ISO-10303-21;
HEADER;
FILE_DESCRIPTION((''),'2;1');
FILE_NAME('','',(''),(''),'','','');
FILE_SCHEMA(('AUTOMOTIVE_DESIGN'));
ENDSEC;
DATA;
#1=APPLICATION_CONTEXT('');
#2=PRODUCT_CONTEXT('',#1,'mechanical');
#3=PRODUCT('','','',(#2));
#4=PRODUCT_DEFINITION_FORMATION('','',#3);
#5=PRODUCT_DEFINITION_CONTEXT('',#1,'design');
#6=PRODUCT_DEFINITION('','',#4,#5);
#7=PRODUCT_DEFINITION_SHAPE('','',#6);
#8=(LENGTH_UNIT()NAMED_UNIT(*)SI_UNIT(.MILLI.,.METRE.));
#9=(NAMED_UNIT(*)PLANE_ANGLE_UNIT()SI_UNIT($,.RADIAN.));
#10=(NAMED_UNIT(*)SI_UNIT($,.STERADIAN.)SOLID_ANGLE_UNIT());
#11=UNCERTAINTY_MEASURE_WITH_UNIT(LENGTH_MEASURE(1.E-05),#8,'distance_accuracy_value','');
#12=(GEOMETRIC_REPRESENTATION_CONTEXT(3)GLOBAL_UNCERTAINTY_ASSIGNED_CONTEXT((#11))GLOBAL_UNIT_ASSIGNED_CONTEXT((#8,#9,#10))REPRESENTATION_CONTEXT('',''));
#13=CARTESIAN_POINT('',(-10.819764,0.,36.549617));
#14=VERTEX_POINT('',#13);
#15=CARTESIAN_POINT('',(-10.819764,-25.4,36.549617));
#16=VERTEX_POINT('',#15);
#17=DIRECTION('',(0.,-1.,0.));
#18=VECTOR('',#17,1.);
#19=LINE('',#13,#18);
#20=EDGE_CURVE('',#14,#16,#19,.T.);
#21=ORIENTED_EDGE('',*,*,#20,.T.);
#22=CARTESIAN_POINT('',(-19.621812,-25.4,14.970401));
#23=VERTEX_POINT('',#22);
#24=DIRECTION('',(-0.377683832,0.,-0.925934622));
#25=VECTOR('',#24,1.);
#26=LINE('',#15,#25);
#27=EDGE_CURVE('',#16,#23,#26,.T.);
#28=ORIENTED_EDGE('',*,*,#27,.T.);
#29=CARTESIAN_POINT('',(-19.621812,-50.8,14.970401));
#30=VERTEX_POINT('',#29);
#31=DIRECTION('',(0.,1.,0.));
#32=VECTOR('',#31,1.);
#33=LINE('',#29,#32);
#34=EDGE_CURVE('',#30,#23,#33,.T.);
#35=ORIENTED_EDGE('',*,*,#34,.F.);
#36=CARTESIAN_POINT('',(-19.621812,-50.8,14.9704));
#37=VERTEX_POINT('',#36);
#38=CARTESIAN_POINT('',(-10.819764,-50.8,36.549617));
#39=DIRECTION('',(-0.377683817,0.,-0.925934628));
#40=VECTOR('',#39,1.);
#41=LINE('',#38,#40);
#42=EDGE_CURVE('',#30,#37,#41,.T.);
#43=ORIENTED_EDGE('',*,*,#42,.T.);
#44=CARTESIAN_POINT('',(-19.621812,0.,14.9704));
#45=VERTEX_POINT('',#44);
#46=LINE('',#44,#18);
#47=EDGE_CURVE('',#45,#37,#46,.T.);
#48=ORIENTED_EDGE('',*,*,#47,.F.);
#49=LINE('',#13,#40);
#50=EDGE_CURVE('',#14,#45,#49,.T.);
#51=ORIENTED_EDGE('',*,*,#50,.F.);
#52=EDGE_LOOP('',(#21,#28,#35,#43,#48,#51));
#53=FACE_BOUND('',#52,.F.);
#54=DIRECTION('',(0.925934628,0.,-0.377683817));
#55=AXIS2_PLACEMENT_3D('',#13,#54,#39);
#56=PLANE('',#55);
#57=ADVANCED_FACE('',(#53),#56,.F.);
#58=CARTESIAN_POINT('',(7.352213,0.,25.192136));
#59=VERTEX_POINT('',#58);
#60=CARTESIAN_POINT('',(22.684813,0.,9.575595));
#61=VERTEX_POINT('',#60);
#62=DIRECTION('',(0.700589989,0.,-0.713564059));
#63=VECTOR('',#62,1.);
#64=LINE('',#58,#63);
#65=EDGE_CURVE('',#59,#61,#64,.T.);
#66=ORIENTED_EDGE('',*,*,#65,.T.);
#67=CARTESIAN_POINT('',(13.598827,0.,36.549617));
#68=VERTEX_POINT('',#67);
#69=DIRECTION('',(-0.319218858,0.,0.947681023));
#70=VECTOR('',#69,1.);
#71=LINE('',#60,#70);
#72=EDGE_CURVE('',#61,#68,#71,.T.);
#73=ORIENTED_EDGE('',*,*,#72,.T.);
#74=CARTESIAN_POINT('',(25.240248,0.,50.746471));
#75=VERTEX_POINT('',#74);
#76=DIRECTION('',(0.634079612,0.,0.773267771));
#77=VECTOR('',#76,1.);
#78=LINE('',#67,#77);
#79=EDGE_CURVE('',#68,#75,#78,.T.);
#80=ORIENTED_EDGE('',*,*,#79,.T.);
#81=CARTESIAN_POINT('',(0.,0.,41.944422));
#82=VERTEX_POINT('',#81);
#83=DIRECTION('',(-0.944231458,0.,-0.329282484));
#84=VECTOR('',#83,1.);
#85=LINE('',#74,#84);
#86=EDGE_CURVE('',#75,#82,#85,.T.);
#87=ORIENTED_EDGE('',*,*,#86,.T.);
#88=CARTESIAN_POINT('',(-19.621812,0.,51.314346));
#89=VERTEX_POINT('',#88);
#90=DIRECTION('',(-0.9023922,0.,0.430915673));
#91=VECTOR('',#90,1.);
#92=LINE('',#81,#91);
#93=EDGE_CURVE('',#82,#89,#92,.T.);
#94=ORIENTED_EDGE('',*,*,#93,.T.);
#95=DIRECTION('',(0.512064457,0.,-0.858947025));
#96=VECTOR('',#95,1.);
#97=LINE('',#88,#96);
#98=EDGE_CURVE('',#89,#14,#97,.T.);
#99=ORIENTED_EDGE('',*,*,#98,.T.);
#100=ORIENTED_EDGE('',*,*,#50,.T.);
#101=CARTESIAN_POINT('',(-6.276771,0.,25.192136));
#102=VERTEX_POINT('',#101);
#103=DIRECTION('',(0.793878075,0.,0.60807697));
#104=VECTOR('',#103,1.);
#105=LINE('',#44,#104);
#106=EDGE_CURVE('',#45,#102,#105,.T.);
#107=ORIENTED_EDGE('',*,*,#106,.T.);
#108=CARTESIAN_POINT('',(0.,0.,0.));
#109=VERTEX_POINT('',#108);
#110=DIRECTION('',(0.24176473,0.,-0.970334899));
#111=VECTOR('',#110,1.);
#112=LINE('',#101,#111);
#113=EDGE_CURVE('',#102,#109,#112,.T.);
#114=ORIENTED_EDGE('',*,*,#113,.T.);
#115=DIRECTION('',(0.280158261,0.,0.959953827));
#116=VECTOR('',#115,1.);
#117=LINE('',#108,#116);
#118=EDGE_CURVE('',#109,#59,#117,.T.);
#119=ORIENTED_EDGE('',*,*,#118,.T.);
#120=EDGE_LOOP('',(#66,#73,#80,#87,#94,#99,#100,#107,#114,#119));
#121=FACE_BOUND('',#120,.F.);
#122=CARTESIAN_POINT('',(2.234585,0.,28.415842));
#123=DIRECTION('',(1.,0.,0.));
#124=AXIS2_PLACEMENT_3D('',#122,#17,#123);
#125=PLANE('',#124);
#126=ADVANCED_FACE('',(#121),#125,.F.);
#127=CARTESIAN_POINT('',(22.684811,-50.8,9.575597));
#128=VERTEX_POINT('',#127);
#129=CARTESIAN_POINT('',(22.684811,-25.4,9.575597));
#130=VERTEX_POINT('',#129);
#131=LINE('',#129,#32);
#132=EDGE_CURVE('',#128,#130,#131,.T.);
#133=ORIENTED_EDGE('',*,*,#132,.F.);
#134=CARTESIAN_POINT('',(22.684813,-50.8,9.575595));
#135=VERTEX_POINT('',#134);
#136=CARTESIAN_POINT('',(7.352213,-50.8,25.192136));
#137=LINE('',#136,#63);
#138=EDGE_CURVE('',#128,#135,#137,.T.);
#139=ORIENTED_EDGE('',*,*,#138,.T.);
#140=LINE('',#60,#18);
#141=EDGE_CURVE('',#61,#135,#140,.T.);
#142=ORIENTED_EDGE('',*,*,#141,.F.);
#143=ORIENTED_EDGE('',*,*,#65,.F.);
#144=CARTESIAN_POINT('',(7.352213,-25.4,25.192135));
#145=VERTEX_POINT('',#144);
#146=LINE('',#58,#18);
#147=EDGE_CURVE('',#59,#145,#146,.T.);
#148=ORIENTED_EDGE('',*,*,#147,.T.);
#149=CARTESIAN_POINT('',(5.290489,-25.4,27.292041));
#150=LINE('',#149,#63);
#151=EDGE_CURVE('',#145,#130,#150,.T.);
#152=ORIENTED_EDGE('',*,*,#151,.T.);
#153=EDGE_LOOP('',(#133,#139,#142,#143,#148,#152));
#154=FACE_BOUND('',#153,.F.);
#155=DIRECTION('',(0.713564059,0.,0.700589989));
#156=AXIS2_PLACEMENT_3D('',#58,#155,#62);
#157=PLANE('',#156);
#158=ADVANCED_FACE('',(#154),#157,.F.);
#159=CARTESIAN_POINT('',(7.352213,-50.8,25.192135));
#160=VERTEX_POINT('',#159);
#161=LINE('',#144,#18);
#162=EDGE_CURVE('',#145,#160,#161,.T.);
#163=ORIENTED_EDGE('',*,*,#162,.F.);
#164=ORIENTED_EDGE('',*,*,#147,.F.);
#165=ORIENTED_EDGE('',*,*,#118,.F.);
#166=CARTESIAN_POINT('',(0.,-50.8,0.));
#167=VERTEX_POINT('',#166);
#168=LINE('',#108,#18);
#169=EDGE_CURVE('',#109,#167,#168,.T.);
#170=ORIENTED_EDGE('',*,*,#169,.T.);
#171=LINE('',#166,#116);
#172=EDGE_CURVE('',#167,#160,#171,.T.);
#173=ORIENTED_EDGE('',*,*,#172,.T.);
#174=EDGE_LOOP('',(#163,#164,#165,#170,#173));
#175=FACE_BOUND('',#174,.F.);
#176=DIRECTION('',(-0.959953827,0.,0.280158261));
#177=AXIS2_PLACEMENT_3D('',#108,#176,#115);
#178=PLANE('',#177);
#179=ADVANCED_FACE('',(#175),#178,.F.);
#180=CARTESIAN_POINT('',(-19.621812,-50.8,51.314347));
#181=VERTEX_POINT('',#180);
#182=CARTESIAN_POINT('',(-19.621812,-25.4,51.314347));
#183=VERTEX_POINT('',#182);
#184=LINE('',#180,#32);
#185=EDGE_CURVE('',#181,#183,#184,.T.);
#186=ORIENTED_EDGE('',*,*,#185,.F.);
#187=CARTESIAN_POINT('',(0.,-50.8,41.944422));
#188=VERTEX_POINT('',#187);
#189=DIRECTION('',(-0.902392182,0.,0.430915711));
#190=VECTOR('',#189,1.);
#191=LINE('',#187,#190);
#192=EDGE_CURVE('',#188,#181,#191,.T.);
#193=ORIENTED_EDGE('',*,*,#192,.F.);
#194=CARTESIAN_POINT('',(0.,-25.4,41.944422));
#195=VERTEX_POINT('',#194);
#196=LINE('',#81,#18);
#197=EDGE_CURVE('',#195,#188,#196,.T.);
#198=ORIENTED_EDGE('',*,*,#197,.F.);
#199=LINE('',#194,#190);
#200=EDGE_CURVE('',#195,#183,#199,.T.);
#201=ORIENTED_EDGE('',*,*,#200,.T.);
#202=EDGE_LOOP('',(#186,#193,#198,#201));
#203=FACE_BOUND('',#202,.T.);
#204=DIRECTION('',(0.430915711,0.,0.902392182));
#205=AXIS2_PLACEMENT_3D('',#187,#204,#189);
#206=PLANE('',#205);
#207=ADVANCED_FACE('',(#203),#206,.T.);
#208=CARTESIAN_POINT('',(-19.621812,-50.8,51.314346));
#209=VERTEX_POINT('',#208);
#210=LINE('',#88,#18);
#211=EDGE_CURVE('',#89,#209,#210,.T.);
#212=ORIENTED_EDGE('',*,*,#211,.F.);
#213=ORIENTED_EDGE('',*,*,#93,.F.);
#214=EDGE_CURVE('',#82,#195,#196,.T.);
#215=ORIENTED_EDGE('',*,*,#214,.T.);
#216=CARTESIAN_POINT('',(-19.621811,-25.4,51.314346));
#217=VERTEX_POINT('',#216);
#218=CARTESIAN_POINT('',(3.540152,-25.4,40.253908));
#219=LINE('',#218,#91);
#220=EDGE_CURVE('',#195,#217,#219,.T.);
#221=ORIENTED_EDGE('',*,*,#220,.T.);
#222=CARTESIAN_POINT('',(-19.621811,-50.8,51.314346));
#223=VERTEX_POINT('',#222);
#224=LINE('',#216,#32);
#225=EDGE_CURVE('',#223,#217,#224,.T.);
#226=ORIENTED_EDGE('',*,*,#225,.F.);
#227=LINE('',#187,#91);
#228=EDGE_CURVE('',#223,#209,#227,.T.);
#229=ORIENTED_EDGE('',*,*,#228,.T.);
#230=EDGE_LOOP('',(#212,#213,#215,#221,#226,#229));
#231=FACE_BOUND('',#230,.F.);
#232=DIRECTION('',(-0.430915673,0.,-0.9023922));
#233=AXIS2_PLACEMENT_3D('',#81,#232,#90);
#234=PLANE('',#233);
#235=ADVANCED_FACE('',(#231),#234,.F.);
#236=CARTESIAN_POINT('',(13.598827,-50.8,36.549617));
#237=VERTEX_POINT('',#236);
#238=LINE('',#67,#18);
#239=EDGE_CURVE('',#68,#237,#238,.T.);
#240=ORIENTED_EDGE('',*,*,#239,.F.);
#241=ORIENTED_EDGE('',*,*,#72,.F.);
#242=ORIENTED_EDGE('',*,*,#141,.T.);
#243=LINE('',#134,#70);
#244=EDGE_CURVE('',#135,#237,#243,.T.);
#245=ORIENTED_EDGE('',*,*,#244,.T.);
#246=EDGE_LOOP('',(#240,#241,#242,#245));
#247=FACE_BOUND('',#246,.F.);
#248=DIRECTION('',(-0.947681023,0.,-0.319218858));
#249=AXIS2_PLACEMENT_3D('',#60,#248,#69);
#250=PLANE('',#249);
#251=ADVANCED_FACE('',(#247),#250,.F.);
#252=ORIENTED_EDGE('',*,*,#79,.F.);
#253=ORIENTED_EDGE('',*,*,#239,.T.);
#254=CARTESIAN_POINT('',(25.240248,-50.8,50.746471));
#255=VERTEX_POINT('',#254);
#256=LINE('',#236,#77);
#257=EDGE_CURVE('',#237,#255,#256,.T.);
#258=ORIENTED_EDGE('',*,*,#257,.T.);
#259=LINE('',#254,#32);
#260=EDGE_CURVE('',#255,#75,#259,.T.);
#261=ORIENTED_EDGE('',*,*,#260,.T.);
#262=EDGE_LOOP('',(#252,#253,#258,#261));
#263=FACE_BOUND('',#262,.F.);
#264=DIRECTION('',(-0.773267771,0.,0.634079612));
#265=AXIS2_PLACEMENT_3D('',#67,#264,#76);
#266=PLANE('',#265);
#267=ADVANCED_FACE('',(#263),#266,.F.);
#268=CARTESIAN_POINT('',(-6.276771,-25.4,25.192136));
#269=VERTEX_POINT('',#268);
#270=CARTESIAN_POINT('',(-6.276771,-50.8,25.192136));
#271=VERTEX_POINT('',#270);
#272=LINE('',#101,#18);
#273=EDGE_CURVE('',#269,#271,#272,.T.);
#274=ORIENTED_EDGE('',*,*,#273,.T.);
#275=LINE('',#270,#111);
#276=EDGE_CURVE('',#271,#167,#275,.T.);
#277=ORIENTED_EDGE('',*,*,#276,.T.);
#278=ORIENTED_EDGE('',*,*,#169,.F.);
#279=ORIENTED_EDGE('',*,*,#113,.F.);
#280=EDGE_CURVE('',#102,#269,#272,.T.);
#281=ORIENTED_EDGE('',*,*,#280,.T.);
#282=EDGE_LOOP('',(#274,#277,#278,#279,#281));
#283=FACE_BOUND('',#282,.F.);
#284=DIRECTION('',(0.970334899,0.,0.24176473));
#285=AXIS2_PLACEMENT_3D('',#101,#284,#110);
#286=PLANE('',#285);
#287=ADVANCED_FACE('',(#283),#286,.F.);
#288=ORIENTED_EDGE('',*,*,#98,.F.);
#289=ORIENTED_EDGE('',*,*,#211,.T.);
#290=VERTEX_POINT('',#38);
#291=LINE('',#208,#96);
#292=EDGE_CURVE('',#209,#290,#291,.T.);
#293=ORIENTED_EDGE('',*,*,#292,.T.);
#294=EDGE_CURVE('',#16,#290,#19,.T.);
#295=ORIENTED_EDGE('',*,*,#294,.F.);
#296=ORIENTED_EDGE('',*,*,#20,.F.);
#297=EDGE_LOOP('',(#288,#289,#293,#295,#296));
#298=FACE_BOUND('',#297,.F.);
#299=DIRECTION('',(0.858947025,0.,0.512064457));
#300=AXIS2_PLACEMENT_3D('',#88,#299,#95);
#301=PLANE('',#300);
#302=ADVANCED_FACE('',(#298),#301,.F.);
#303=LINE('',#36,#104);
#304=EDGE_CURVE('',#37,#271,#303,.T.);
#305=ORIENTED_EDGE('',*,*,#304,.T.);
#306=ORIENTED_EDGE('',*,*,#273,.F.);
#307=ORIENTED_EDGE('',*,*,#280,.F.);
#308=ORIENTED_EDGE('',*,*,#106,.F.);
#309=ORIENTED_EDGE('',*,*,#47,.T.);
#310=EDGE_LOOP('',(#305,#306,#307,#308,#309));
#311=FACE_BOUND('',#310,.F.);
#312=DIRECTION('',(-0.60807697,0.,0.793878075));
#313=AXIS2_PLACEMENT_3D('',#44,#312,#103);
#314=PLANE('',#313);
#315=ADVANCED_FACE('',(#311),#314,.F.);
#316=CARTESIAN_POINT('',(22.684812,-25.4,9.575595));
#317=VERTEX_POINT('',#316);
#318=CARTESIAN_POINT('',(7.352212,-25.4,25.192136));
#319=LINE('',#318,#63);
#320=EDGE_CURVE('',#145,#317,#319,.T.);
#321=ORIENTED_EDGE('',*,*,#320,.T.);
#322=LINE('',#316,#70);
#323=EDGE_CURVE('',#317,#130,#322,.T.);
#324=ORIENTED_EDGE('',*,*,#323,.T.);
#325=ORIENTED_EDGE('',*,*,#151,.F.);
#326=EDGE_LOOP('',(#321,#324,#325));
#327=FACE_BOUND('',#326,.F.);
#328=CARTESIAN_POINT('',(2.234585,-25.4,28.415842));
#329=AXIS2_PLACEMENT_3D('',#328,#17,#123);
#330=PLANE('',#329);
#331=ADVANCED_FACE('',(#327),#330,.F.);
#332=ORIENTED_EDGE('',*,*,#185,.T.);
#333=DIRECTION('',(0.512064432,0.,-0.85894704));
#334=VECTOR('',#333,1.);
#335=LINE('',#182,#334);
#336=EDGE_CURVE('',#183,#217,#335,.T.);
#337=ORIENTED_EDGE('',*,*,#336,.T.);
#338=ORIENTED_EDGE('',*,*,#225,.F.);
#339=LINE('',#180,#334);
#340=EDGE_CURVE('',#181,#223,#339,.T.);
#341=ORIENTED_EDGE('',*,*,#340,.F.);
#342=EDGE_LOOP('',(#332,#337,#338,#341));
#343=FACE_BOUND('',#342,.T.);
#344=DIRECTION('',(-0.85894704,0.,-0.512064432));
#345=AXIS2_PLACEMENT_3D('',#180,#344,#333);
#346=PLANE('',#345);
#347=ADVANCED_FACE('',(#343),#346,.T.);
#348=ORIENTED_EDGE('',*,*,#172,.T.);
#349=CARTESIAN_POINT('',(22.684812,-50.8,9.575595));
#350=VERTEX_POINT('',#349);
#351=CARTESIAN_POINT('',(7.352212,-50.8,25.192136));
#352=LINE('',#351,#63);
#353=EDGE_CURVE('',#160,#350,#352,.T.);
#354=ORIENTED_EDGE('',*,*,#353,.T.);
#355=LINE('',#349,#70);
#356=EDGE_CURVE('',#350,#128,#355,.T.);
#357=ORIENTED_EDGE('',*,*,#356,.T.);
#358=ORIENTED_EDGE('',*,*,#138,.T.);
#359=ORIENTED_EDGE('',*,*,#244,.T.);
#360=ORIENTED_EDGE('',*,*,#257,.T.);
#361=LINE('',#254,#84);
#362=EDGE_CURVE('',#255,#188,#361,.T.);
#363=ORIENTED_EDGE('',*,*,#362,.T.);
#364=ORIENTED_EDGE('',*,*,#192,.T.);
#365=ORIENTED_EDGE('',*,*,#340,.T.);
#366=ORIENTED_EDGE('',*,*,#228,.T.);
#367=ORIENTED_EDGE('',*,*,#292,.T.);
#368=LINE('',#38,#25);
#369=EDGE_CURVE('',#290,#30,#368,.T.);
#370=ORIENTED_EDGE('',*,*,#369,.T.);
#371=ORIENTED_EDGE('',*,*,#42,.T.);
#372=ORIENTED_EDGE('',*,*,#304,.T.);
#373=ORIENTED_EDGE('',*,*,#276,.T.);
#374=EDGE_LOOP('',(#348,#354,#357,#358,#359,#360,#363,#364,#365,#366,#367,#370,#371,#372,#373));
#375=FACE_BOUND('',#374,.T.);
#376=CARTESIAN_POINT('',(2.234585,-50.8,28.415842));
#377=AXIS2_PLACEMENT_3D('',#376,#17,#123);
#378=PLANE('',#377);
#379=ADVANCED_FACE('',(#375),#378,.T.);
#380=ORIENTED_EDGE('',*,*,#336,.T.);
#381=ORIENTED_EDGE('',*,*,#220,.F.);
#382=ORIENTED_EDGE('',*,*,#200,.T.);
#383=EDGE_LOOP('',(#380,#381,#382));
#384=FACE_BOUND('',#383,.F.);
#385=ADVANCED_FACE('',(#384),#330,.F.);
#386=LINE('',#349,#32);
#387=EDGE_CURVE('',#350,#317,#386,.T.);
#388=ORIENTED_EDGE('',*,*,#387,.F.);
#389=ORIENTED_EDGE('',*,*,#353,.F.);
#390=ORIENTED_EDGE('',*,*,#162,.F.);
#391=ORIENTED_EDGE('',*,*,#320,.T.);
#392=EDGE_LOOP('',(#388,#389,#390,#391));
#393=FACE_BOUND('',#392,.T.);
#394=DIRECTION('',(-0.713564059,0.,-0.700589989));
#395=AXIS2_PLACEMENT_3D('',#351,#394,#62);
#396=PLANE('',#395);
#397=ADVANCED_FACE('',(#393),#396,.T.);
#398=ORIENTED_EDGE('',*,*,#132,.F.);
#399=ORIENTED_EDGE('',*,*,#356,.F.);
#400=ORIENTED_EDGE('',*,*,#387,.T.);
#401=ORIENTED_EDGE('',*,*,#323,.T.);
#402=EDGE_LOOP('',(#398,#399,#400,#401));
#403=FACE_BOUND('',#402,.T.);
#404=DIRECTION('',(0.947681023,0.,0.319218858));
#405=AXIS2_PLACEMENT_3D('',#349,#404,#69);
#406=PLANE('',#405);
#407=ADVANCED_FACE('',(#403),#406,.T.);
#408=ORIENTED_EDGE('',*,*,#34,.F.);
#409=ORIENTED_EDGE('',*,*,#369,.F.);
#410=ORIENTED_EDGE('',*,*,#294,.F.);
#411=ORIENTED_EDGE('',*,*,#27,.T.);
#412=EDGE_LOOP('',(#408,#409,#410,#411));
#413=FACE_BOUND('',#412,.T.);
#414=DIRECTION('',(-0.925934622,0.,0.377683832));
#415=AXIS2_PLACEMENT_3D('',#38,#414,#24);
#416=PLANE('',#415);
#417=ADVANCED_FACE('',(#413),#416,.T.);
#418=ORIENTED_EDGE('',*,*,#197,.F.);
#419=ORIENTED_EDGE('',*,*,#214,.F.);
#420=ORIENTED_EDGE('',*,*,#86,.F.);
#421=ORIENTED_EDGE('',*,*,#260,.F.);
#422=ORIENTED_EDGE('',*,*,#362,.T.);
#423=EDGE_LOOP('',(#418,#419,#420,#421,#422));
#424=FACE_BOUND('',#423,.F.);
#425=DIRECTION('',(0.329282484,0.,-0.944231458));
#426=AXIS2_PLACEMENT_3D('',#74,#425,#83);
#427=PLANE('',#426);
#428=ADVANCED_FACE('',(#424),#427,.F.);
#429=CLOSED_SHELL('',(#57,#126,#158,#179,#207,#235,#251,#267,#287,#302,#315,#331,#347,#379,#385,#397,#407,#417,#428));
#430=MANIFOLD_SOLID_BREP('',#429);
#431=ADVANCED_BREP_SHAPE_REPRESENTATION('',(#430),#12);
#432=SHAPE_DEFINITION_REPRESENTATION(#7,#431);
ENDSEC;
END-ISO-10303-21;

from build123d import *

# Parameters (mm, degrees)
F1_DEPTH = 50.8
F2_DEPTH = 25.4


with BuildPart() as f1:
    # F0 (on Front) → F1 (new body)
    with BuildSketch(Plane.XZ):
        Polygon((-6.276771, 25.192136), (0, 0), (7.352213, 25.192136), (22.684813, 9.575595), (13.598827, 36.549617), (25.240248, 50.746471), (0, 41.944422), (-19.621812, 51.314346), (-10.819764, 36.549617), (-19.621812, 14.9704), align=None)
    extrude(amount=F1_DEPTH)

    # F1_face (on face) → F2 (join)
    with BuildSketch(Plane(origin=(1.857024, -50.8, 30.381378), x_dir=(1, 0, 0), z_dir=(0, -1, 0))):
        Polygon((-8.133795, -5.189242), (-1.857024, -30.381378), (5.495188, -5.189242), (20.827788, -20.805783), (11.741802, 6.168239), (23.383224, 20.365093), (-1.857024, 11.563044), (-21.478836, 20.932969), (-12.676788, 6.168239), (-21.478836, -15.410977), align=None)
    extrude(amount=-F2_DEPTH)


solid = f1.part
